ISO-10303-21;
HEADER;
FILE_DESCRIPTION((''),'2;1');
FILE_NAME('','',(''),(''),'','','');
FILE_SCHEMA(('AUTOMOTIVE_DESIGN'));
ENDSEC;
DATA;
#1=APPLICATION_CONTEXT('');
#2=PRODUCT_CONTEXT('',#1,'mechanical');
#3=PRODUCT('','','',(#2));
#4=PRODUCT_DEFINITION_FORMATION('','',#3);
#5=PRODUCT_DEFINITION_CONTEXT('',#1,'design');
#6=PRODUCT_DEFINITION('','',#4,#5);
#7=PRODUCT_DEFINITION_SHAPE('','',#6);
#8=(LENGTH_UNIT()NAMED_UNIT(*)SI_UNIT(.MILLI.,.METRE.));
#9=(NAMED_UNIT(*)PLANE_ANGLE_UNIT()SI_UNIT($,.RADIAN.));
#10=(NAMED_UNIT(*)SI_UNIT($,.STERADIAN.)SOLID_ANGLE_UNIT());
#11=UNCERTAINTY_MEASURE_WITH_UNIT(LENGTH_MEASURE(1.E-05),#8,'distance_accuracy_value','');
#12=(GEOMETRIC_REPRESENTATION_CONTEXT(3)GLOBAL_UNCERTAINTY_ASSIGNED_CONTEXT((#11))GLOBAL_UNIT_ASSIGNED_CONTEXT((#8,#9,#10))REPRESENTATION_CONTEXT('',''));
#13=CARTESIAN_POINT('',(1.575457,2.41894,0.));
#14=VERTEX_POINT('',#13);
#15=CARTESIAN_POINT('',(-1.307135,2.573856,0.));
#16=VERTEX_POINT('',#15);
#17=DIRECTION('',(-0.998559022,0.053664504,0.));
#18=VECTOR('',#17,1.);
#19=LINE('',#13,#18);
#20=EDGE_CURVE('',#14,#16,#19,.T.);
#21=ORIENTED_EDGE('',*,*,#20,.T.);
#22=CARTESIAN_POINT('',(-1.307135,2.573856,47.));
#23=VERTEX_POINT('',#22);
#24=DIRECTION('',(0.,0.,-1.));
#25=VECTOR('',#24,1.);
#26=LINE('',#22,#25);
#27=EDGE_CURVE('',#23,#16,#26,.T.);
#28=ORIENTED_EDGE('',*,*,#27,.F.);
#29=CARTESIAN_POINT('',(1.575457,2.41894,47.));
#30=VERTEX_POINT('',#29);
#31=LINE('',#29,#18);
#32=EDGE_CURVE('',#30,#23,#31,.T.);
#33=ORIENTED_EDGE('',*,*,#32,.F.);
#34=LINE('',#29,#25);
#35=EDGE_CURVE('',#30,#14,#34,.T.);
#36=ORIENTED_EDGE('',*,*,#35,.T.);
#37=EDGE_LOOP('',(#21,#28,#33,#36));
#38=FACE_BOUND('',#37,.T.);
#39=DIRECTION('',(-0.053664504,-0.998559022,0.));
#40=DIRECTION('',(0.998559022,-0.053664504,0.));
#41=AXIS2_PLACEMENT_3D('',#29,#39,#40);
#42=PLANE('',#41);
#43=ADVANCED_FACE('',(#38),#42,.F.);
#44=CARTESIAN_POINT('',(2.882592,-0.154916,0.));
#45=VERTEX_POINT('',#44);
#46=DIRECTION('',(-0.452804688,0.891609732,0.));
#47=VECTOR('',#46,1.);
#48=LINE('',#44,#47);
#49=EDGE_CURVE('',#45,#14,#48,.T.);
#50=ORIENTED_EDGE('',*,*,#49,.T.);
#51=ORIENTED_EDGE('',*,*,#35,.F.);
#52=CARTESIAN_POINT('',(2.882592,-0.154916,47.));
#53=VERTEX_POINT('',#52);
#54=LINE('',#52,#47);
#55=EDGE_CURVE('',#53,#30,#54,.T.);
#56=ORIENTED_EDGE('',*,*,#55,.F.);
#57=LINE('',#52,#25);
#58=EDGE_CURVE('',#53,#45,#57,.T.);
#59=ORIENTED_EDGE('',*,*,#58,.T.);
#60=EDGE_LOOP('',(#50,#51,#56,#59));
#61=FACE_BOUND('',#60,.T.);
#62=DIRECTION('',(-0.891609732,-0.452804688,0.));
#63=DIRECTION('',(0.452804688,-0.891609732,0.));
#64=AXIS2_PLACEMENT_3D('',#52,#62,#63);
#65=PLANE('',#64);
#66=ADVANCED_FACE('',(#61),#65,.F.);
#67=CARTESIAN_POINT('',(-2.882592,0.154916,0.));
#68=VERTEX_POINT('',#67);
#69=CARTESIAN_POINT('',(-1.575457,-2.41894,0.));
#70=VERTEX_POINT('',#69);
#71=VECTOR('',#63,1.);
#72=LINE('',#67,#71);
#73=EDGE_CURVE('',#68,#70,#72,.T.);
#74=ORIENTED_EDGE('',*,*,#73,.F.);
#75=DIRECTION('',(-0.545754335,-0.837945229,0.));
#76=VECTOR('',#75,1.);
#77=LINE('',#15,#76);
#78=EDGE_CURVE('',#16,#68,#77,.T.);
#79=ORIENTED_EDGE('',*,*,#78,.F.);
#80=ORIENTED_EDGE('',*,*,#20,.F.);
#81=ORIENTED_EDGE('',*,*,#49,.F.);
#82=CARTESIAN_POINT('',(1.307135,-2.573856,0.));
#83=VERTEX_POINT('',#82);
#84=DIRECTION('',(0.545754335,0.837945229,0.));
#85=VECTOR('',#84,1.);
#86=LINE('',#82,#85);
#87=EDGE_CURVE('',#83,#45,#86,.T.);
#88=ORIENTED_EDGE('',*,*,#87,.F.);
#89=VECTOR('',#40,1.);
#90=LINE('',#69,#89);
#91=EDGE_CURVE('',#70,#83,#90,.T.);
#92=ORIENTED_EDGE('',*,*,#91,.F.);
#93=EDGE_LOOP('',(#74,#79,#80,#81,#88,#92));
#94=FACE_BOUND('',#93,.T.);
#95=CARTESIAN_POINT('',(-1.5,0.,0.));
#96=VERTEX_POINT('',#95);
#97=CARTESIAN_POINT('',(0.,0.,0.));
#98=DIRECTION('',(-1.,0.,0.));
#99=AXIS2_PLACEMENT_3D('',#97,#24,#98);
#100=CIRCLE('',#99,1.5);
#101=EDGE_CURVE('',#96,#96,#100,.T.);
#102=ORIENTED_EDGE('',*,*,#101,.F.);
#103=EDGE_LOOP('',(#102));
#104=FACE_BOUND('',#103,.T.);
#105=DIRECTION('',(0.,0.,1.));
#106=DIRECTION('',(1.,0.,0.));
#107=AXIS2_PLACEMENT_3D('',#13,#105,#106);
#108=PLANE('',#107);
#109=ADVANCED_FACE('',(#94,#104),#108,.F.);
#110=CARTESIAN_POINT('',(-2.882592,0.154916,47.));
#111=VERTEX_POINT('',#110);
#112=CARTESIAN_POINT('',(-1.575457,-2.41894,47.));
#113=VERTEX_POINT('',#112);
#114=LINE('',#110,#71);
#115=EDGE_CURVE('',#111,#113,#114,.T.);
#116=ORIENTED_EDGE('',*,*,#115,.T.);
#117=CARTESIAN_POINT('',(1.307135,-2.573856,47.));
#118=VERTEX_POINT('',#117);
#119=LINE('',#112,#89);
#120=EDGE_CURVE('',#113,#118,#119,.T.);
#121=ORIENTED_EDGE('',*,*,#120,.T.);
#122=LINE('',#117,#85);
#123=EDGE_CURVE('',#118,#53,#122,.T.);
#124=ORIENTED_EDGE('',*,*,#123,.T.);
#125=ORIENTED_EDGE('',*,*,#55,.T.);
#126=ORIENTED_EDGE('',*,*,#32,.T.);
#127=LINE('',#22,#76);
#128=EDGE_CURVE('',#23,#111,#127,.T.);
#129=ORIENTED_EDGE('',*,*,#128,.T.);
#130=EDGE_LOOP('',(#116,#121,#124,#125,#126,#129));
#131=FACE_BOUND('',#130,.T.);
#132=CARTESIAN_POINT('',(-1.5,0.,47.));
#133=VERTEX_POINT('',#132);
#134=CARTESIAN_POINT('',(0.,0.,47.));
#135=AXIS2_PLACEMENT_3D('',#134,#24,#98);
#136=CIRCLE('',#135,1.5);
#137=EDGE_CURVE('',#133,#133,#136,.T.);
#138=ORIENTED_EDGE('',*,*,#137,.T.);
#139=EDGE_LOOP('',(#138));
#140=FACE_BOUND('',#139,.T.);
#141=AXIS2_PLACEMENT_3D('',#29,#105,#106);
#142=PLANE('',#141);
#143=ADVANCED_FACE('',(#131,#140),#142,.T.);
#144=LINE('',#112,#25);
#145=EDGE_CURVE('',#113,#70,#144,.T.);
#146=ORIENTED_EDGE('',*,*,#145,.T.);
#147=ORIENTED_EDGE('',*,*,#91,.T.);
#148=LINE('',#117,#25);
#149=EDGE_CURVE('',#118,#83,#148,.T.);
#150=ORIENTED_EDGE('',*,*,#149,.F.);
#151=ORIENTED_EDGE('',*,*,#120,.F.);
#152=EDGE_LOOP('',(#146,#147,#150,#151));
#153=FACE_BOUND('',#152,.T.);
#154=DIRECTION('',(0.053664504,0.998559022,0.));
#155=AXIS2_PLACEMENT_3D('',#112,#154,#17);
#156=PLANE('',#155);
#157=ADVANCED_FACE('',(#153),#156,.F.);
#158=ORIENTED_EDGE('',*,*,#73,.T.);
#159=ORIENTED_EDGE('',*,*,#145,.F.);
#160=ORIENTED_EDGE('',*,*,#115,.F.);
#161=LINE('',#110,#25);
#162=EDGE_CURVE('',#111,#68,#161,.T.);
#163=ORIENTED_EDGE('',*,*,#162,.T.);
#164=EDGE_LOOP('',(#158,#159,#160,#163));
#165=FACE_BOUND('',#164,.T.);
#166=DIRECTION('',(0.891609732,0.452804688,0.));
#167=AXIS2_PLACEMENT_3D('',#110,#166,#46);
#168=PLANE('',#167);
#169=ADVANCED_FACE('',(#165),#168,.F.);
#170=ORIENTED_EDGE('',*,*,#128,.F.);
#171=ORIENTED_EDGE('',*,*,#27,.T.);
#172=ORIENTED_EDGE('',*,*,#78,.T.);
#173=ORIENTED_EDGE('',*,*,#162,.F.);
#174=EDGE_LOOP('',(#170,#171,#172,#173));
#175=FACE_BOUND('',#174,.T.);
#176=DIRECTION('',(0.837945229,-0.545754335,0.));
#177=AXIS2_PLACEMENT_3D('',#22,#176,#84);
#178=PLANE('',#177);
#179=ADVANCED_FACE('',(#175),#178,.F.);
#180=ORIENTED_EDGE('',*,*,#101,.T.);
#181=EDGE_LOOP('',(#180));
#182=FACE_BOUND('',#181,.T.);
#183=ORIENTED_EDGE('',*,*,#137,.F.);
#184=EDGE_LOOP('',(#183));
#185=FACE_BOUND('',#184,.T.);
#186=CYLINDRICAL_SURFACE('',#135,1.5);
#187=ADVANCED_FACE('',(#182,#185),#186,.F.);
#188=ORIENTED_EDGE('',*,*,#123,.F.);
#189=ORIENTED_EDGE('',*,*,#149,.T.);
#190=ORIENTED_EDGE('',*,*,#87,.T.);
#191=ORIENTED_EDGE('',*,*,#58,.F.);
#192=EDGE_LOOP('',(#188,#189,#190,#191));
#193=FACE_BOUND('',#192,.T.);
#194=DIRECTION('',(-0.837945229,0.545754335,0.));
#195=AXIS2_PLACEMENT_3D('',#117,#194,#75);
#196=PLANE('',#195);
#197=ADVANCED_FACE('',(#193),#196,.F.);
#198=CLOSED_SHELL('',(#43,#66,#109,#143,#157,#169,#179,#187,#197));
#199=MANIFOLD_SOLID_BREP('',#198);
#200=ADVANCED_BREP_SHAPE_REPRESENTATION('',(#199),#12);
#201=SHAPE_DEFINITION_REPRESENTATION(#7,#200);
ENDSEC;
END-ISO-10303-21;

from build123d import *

# Parameters (mm, degrees)
BOSS_EXTRUDE1_DEPTH = 47
SKETCH2_R           = 1.5
CUT_EXTRUDE1_DEPTH  = 48


with BuildPart() as part:
    # Sketch1 → Boss-Extrude1 (new body)
    with BuildSketch(Plane.XY):
        Polygon((1.57545706, 2.418939517), (-1.307134542, 2.573855595), (-2.882591602, 0.154916078), (-1.57545706, -2.418939517), (1.307134542, -2.573855595), (2.882591602, -0.154916078), align=None)
    extrude(amount=BOSS_EXTRUDE1_DEPTH)

    # Sketch2 → Cut-Extrude1 (cut, through all)
    with BuildSketch(Plane(origin=(0, 0, 0), x_dir=(-1, 0, 0), z_dir=(0, 0, -1))):
        Circle(SKETCH2_R)
    extrude(amount=-CUT_EXTRUDE1_DEPTH, mode=Mode.SUBTRACT)


solid = part.part
